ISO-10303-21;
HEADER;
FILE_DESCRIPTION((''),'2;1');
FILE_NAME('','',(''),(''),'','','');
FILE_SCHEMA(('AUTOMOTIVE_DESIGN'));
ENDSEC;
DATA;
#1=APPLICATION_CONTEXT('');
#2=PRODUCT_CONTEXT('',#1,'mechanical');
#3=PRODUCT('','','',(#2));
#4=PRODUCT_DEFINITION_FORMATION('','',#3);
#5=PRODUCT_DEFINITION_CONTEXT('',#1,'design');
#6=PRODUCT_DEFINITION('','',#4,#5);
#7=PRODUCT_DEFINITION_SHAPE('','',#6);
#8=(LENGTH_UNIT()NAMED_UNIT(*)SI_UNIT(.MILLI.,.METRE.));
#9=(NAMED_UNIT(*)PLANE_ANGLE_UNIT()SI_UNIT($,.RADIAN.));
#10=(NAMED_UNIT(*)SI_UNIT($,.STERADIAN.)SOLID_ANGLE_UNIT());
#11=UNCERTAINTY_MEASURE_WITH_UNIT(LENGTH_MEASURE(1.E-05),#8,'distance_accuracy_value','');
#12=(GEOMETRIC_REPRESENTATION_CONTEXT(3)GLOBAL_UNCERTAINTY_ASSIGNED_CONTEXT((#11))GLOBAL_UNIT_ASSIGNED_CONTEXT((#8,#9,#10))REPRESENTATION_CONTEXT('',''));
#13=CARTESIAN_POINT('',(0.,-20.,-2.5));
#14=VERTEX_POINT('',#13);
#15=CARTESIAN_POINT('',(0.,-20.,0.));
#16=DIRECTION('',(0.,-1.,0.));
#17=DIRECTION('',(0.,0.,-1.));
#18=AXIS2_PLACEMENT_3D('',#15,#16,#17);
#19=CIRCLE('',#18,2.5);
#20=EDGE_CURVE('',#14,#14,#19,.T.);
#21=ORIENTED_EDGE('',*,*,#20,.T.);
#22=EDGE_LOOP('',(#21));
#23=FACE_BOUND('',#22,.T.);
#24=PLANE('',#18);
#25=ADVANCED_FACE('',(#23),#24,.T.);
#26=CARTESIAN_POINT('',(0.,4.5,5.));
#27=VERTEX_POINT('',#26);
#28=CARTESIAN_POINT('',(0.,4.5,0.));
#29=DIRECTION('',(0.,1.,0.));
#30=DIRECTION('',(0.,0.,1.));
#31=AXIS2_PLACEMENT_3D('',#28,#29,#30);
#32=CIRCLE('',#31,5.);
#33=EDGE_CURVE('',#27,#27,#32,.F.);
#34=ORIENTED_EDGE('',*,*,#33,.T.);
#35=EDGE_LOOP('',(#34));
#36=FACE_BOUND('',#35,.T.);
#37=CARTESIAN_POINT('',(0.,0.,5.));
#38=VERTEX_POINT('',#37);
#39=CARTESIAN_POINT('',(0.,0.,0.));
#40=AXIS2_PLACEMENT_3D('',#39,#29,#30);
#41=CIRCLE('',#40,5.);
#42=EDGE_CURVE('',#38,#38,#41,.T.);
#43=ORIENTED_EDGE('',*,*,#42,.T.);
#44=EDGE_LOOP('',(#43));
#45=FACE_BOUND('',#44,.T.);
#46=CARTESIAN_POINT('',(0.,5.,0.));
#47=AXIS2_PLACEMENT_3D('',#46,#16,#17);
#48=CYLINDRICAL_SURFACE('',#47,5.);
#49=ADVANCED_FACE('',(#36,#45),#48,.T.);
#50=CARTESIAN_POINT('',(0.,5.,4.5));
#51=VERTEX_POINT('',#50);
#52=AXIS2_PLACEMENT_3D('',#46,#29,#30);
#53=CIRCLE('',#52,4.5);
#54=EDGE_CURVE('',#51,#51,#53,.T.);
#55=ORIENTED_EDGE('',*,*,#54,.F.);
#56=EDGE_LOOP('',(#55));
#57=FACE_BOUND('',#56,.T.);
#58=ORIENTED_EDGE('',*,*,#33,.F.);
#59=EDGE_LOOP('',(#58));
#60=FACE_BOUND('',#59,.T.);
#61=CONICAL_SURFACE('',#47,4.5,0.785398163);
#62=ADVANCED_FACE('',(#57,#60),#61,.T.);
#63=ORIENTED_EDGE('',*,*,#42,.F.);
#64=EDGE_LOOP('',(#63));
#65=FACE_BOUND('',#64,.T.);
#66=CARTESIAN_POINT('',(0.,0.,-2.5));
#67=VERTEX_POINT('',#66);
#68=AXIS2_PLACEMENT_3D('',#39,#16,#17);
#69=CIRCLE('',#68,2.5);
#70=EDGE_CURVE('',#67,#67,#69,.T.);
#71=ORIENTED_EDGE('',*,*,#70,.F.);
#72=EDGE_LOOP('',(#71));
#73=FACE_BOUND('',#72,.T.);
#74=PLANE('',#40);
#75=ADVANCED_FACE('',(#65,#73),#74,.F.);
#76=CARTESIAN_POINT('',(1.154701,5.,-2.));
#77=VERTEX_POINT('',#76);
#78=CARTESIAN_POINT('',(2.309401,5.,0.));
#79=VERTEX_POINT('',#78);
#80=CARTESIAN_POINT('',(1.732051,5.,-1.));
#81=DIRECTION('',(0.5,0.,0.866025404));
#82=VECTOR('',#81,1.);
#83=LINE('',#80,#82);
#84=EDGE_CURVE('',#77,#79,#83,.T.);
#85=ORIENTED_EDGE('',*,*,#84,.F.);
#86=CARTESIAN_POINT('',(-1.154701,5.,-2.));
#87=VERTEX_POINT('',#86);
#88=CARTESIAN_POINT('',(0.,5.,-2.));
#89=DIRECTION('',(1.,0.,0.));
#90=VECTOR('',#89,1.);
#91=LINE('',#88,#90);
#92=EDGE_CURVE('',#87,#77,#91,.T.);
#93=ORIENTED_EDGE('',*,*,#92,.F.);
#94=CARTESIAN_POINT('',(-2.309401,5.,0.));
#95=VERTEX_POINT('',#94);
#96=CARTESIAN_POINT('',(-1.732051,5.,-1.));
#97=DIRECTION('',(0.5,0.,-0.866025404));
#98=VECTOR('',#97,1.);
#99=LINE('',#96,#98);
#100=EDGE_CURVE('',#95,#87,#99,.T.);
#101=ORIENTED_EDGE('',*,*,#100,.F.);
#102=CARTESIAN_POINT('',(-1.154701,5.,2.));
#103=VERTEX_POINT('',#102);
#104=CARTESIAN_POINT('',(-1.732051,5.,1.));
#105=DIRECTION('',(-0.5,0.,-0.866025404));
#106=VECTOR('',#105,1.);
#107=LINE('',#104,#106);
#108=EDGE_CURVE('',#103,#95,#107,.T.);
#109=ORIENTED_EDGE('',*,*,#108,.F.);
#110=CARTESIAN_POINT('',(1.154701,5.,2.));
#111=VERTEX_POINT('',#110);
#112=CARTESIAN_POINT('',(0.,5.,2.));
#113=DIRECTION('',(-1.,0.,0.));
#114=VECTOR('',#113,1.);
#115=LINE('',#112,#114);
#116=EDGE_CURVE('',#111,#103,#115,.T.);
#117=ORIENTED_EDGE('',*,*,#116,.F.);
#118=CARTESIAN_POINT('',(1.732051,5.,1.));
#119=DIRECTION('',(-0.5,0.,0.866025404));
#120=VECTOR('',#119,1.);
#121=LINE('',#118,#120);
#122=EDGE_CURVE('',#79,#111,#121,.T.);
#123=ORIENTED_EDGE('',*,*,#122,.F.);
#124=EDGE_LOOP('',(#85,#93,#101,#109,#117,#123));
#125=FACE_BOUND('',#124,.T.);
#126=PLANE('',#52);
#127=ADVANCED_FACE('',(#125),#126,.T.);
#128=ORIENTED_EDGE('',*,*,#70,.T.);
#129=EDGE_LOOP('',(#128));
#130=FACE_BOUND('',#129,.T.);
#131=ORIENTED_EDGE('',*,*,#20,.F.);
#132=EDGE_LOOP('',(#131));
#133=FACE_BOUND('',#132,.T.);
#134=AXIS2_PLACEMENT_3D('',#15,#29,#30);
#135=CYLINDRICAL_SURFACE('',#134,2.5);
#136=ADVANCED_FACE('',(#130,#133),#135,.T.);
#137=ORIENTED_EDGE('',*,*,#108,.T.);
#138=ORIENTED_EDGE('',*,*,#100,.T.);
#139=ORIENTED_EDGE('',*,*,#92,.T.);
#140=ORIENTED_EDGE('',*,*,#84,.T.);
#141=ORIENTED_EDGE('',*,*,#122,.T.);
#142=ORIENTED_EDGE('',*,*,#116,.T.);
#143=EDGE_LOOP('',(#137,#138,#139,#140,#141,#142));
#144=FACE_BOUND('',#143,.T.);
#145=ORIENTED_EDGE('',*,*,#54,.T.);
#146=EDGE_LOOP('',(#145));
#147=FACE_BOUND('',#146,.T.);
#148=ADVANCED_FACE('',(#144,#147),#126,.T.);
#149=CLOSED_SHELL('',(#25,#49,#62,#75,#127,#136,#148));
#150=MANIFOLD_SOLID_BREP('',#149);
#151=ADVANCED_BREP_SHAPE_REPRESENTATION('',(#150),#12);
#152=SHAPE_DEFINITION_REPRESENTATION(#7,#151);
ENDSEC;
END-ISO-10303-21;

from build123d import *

# Parameters (mm, degrees)
SK_CBORE_R      = 5
BD_CBORE_DEPTH  = 5
SK_THREAD_R     = 2.5
BD_THREAD_DEPTH = 20
CF_CBORE_SIZE   = 0.5


with BuildPart() as part:
    # SK_CBORE → BD_CBORE (new body)
    with BuildSketch(Plane(origin=(0, 0, 0), x_dir=(0, 0, -1), z_dir=(0, 1, 0))):
        Circle(SK_CBORE_R)
    extrude(amount=BD_CBORE_DEPTH)

    # SK_THREAD → BD_THREAD (add)
    with BuildSketch(Plane.XZ):
        Circle(SK_THREAD_R)
    extrude(amount=BD_THREAD_DEPTH)

    # CF_CBORE
    cf_cbore_edges = [part.edges().sort_by_distance(p)[0] for p in [
        (0, 5, 5),
    ]]
    chamfer(cf_cbore_edges, length=CF_CBORE_SIZE)


solid = part.part
